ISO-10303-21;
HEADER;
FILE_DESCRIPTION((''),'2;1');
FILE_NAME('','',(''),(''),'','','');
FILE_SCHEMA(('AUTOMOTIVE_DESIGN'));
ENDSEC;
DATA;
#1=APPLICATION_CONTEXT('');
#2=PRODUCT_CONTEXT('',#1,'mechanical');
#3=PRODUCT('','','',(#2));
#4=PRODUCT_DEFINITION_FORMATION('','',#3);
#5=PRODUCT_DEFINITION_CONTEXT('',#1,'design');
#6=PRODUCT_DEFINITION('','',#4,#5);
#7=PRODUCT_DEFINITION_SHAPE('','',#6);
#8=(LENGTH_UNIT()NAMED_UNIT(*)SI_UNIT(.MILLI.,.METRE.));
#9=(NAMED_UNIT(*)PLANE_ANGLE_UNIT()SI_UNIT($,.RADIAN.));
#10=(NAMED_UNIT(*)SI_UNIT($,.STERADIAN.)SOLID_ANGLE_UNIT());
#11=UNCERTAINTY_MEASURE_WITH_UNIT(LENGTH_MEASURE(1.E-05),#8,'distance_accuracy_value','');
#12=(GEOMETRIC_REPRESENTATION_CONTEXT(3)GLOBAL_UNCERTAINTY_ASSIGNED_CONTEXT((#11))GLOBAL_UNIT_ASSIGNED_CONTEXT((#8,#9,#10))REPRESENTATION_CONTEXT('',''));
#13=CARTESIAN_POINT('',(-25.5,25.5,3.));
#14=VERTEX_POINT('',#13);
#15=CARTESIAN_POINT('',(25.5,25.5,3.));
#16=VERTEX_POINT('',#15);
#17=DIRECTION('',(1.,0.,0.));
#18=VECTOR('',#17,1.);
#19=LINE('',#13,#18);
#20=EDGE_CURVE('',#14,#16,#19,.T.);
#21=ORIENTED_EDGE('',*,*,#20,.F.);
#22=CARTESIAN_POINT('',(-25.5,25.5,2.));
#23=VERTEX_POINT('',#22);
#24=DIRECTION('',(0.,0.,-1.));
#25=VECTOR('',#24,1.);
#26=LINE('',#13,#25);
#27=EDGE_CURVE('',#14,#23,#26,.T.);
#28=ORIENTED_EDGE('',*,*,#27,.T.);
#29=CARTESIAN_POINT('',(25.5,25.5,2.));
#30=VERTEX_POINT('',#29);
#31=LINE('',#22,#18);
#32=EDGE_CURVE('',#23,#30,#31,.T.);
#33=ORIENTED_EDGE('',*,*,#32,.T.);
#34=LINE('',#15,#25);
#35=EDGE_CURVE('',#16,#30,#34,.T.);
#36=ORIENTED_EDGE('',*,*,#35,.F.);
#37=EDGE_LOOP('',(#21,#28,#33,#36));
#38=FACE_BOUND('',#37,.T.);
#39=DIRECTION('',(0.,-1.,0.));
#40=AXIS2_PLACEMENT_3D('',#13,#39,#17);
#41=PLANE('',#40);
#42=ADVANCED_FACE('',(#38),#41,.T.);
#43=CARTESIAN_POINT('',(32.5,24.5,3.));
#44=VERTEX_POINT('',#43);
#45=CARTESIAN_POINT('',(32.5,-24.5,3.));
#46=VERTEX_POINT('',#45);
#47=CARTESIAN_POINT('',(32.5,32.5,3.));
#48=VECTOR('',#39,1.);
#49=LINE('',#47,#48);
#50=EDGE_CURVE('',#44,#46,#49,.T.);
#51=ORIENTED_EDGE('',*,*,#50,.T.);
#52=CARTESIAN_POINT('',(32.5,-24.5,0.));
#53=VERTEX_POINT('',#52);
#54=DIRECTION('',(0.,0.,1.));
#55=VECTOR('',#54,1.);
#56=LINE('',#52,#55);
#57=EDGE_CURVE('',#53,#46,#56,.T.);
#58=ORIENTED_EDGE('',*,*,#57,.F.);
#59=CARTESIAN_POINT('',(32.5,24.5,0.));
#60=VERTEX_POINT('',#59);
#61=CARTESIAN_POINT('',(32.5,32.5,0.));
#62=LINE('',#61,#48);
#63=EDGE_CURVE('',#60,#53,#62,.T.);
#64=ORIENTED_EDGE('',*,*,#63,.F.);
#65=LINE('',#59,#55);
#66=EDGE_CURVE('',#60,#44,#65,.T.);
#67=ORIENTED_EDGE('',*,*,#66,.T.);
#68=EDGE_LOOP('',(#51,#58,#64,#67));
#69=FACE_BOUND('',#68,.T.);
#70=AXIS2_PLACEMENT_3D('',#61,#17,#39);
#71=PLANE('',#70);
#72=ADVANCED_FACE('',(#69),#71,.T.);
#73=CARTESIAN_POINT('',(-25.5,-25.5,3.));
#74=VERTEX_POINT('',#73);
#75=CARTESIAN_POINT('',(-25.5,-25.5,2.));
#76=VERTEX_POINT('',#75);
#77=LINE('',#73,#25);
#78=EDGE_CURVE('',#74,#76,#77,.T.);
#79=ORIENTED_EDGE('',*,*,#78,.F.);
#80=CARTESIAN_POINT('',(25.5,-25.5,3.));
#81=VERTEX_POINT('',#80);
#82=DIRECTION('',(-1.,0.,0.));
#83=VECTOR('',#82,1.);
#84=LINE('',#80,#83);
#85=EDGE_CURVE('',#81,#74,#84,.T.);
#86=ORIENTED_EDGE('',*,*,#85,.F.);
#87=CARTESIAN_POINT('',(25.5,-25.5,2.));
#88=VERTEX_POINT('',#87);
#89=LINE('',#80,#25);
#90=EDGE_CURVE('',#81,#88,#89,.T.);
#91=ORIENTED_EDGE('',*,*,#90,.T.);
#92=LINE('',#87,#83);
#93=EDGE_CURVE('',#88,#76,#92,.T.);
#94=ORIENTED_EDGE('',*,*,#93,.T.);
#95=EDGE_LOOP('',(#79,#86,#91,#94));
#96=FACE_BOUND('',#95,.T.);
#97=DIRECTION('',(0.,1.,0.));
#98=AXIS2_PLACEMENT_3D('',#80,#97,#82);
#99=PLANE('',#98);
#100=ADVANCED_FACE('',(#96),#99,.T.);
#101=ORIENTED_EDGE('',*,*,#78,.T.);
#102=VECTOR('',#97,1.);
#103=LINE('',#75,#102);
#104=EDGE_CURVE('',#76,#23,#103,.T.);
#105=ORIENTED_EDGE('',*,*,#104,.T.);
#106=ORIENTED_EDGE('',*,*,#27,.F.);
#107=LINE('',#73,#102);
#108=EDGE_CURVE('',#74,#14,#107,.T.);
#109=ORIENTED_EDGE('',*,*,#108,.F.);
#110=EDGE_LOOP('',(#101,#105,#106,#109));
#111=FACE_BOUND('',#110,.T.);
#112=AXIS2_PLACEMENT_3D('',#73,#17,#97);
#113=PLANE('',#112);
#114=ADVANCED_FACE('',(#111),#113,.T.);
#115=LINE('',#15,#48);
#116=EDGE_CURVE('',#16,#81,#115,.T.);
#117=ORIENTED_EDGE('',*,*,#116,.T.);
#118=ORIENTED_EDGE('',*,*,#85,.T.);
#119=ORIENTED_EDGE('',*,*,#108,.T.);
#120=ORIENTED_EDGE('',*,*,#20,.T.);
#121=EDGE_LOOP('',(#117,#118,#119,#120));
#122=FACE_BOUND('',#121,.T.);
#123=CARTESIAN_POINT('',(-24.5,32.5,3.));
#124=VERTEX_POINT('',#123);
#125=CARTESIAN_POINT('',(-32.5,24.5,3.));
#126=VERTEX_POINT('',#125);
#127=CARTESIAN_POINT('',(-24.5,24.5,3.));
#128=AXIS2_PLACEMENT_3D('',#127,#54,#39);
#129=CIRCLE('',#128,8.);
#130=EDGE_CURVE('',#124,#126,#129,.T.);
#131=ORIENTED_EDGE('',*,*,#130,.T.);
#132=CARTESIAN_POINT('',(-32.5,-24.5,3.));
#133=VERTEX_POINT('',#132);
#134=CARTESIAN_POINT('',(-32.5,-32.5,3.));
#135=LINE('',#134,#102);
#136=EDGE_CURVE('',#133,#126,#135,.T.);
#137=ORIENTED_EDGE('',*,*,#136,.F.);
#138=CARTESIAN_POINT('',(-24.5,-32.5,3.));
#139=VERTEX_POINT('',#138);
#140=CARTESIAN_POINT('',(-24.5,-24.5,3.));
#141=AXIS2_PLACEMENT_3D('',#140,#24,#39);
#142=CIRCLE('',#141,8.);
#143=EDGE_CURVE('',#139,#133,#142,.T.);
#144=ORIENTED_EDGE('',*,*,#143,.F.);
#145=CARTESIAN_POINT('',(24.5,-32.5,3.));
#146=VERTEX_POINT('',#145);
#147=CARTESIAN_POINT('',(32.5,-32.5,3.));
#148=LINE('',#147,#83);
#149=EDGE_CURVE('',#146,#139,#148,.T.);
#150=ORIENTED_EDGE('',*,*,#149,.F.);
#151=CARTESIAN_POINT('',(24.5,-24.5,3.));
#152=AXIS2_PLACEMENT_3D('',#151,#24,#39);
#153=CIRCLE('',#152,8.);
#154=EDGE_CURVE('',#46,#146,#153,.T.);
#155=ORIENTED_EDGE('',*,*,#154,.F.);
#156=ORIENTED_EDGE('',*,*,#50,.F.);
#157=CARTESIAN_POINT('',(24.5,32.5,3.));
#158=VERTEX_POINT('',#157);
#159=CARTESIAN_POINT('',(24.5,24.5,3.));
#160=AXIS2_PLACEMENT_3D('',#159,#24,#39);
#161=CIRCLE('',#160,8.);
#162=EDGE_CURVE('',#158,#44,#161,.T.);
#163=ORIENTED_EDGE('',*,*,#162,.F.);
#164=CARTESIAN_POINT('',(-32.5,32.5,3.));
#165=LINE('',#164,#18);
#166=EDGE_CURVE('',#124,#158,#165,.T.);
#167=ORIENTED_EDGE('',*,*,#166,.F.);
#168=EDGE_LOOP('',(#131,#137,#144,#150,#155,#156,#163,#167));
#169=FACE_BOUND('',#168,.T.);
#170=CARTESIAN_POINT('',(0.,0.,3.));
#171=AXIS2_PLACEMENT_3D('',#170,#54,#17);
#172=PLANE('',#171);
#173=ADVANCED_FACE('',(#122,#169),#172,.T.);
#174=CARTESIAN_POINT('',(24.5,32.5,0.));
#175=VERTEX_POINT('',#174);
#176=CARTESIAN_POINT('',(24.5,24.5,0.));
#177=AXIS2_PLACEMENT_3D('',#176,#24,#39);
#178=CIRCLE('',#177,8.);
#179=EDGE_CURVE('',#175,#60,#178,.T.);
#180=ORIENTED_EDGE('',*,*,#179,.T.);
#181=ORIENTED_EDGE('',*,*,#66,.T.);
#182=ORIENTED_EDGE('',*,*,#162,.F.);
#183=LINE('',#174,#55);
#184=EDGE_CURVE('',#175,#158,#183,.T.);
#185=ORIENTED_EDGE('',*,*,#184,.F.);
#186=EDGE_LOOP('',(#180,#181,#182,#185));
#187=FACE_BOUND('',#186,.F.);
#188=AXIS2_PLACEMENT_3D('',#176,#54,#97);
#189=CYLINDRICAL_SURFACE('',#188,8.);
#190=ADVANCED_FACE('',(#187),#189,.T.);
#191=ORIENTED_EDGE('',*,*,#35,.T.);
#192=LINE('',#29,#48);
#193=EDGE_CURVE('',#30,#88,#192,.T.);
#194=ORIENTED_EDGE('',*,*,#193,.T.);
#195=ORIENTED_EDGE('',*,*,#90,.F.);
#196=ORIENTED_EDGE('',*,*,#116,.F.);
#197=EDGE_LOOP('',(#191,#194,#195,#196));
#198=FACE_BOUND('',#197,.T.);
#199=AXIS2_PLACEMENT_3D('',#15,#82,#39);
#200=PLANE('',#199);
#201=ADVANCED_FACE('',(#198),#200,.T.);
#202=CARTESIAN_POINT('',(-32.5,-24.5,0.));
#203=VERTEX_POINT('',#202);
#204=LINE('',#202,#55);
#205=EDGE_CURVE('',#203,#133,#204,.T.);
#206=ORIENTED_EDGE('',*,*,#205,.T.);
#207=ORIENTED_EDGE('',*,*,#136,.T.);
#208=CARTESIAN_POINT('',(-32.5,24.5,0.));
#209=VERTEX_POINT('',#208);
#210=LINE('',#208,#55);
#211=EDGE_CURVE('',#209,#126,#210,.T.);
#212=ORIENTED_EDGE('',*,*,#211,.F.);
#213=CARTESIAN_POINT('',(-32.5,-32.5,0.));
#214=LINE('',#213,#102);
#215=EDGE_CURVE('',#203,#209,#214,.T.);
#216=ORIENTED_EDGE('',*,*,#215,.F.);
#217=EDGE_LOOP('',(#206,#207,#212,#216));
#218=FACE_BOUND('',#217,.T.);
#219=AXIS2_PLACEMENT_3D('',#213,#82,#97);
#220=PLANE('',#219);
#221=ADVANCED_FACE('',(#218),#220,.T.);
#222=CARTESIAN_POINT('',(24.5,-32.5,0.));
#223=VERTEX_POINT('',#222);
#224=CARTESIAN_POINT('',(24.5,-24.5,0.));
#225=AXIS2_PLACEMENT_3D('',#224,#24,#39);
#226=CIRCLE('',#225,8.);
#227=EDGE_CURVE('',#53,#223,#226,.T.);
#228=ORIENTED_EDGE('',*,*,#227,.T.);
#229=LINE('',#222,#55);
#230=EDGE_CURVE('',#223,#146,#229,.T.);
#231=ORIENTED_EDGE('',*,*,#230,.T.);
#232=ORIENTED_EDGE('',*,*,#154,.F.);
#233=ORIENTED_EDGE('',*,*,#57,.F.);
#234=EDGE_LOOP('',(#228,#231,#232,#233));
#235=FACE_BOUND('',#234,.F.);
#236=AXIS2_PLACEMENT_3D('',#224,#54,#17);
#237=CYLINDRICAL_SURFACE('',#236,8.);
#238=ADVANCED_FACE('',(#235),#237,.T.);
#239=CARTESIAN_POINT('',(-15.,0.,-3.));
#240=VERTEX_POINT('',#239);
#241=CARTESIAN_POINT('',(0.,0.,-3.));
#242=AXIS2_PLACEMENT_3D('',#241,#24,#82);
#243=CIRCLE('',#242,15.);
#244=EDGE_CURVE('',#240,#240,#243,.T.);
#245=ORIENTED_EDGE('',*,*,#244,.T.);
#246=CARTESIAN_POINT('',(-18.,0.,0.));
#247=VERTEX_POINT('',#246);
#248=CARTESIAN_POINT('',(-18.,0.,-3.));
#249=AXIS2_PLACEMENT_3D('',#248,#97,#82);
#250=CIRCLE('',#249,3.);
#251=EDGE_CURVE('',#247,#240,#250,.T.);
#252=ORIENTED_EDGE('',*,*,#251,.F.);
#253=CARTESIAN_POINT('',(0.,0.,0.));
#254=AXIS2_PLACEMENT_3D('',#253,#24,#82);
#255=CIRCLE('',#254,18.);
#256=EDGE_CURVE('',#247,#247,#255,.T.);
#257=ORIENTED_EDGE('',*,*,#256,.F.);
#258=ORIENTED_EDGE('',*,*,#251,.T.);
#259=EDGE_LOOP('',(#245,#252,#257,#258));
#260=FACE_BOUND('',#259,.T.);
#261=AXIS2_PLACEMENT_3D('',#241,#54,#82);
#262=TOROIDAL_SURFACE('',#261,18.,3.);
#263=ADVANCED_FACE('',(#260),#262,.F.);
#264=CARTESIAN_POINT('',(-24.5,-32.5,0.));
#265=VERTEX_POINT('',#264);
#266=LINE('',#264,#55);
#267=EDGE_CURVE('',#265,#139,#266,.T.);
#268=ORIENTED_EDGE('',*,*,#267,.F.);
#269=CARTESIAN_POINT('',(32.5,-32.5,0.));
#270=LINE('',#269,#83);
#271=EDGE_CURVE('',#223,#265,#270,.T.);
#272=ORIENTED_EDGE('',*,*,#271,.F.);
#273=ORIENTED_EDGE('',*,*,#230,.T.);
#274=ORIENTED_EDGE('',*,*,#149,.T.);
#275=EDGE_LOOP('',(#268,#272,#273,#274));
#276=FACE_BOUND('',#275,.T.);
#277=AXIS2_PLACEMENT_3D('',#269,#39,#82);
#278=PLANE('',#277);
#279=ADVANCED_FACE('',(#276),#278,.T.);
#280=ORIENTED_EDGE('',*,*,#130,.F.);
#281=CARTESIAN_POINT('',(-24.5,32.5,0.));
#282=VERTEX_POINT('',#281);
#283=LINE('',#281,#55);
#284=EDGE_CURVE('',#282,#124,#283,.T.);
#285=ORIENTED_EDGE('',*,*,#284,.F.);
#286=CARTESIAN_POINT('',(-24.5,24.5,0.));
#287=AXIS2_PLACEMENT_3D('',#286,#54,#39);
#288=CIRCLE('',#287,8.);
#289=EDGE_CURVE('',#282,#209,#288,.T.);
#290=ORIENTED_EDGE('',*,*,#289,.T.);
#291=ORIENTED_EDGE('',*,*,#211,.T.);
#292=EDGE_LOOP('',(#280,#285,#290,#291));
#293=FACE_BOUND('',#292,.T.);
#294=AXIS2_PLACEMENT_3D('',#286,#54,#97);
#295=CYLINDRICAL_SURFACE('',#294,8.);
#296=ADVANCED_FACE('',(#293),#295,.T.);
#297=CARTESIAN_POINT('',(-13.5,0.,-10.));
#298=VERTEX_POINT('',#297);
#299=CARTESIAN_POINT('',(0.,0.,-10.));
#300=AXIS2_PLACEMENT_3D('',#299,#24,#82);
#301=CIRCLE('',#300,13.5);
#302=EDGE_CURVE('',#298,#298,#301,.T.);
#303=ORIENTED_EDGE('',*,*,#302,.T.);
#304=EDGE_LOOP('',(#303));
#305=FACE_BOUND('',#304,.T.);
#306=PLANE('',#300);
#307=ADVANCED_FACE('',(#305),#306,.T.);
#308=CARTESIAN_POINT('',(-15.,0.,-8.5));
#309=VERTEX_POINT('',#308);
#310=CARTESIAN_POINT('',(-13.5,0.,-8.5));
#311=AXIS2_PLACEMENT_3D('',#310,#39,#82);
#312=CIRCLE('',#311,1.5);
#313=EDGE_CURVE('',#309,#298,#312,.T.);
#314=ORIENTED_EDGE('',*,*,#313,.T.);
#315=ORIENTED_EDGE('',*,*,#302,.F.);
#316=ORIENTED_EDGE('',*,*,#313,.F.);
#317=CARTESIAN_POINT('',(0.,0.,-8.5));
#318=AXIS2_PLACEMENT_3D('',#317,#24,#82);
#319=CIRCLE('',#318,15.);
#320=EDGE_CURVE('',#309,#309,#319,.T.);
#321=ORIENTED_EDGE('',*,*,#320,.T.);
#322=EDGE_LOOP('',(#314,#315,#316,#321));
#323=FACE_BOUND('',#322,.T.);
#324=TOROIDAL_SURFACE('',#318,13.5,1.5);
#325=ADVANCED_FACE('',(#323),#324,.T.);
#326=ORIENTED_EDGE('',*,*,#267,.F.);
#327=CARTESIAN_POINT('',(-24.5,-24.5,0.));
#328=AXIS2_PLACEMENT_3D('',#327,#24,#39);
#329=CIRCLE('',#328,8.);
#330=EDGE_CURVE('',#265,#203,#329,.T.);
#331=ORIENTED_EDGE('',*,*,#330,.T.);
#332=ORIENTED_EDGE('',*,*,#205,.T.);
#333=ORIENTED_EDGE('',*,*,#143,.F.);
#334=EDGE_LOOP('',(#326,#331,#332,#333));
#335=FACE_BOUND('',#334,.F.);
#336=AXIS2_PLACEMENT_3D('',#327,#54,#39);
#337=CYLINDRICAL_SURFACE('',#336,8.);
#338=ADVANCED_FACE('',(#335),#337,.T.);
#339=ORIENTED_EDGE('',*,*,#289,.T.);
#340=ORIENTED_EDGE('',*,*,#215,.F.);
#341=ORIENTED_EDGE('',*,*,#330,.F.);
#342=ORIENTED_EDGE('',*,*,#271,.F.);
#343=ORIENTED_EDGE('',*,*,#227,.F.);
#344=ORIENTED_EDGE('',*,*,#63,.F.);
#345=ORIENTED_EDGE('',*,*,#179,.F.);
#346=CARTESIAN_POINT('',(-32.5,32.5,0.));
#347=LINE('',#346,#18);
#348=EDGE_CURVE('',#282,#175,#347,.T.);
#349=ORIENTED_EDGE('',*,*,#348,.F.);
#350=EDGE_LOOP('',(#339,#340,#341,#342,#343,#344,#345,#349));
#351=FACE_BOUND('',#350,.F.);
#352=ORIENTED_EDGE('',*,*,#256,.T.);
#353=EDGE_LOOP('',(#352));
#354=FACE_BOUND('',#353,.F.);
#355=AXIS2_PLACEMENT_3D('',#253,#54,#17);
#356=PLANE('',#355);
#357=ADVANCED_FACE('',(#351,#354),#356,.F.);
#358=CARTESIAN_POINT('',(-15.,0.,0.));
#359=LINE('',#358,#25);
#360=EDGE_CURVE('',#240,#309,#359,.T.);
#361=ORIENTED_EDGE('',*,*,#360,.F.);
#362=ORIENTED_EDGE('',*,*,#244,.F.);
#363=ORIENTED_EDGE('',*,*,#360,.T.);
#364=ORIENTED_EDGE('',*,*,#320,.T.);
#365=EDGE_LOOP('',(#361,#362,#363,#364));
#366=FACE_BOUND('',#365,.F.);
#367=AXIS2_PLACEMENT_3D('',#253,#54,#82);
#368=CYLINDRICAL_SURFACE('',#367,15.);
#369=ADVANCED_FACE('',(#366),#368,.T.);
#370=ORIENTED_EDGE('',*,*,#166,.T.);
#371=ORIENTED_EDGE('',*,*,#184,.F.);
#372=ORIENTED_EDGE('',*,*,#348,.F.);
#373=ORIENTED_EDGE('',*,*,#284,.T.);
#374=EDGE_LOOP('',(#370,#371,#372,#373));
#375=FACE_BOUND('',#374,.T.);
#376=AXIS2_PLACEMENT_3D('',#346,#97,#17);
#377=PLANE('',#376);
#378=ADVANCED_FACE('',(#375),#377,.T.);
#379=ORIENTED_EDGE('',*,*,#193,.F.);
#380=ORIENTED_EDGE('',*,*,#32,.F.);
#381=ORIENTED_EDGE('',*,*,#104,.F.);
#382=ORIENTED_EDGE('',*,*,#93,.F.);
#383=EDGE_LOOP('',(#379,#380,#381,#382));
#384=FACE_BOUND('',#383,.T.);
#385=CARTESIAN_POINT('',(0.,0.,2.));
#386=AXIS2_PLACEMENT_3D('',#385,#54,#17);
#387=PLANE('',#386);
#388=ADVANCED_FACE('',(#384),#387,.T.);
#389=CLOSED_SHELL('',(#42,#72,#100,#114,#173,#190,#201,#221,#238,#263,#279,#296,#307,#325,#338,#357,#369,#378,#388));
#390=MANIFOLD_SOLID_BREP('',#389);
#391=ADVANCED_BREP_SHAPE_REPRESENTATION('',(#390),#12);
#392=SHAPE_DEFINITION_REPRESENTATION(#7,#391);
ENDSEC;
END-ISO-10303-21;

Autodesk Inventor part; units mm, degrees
ref_plane "YZ Plane" through (0, 0, 0) normal (1, 0, 0) x (0, 1, 0)
ref_plane "XZ Plane" through (0, 0, 0) normal (0, 1, 0) x (-1, 0, 0)
ref_plane "XY Plane" through (0, 0, 0) normal (0, 0, 1) x (1, 0, 0)
sketch "Sketch1" plane through (0, 0, 0) normal (0, 0, 1) x (1, 0, 0)
  line L0 (-32.5, 32.5) -> (32.5, 32.5)
  line L1 (32.5, 32.5) -> (32.5, -32.5)
  line L2 (32.5, -32.5) -> (-32.5, -32.5)
  line L3 (-32.5, -32.5) -> (-32.5, 32.5)
  line L4 (-32.5, 32.5) -> (32.5, -32.5) construction
  line L5 (32.5, 32.5) -> (-32.5, -32.5) construction
  point P0 (0, 0)
  dimension "d0" = 65
  dimension "d1" = 65
extrude "Extrusion1" add sketch "Sketch1" along normal blind 3
fillet "Fillet1" radius 8 4 edges at (-32.5, -32.5, 1.5) (32.5, -32.5, 1.5) (32.5, 32.5, 1.5) (-32.5, 32.5, 1.5)
sketch "Sketch2" plane through (0, 0, 0) normal (0, 0, -1) x (-1, 0, 0)
  circle A0 centre (0, 0) radius 15
  dimension "d5" = 30
extrude "Extrusion2" add sketch "Sketch2" along normal blind 10
fillet "Fillet2" radius 3 1 edges at (15, 0, 0)
fillet "Fillet3" radius 1.5 1 edges at (15, 0, -10)
sketch "Sketch3" plane through (0, 0, 3) normal (0, 0, 1) x (1, 0, 0)
  line L0 (-25.5, 25.5) -> (25.5, 25.5)
  line L1 (25.5, 25.5) -> (25.5, -25.5)
  line L2 (25.5, -25.5) -> (-25.5, -25.5)
  line L3 (-25.5, -25.5) -> (-25.5, 25.5)
  line L4 (-25.5, 25.5) -> (25.5, -25.5) construction
  line L5 (25.5, 25.5) -> (-25.5, -25.5) construction
  point P0 (0, 0)
  dimension "d10" = 51
  dimension "d11" = 51
extrude "Extrusion3" cut sketch "Sketch3" against normal blind 1
properties part number "square_with_fillet_65mm"
